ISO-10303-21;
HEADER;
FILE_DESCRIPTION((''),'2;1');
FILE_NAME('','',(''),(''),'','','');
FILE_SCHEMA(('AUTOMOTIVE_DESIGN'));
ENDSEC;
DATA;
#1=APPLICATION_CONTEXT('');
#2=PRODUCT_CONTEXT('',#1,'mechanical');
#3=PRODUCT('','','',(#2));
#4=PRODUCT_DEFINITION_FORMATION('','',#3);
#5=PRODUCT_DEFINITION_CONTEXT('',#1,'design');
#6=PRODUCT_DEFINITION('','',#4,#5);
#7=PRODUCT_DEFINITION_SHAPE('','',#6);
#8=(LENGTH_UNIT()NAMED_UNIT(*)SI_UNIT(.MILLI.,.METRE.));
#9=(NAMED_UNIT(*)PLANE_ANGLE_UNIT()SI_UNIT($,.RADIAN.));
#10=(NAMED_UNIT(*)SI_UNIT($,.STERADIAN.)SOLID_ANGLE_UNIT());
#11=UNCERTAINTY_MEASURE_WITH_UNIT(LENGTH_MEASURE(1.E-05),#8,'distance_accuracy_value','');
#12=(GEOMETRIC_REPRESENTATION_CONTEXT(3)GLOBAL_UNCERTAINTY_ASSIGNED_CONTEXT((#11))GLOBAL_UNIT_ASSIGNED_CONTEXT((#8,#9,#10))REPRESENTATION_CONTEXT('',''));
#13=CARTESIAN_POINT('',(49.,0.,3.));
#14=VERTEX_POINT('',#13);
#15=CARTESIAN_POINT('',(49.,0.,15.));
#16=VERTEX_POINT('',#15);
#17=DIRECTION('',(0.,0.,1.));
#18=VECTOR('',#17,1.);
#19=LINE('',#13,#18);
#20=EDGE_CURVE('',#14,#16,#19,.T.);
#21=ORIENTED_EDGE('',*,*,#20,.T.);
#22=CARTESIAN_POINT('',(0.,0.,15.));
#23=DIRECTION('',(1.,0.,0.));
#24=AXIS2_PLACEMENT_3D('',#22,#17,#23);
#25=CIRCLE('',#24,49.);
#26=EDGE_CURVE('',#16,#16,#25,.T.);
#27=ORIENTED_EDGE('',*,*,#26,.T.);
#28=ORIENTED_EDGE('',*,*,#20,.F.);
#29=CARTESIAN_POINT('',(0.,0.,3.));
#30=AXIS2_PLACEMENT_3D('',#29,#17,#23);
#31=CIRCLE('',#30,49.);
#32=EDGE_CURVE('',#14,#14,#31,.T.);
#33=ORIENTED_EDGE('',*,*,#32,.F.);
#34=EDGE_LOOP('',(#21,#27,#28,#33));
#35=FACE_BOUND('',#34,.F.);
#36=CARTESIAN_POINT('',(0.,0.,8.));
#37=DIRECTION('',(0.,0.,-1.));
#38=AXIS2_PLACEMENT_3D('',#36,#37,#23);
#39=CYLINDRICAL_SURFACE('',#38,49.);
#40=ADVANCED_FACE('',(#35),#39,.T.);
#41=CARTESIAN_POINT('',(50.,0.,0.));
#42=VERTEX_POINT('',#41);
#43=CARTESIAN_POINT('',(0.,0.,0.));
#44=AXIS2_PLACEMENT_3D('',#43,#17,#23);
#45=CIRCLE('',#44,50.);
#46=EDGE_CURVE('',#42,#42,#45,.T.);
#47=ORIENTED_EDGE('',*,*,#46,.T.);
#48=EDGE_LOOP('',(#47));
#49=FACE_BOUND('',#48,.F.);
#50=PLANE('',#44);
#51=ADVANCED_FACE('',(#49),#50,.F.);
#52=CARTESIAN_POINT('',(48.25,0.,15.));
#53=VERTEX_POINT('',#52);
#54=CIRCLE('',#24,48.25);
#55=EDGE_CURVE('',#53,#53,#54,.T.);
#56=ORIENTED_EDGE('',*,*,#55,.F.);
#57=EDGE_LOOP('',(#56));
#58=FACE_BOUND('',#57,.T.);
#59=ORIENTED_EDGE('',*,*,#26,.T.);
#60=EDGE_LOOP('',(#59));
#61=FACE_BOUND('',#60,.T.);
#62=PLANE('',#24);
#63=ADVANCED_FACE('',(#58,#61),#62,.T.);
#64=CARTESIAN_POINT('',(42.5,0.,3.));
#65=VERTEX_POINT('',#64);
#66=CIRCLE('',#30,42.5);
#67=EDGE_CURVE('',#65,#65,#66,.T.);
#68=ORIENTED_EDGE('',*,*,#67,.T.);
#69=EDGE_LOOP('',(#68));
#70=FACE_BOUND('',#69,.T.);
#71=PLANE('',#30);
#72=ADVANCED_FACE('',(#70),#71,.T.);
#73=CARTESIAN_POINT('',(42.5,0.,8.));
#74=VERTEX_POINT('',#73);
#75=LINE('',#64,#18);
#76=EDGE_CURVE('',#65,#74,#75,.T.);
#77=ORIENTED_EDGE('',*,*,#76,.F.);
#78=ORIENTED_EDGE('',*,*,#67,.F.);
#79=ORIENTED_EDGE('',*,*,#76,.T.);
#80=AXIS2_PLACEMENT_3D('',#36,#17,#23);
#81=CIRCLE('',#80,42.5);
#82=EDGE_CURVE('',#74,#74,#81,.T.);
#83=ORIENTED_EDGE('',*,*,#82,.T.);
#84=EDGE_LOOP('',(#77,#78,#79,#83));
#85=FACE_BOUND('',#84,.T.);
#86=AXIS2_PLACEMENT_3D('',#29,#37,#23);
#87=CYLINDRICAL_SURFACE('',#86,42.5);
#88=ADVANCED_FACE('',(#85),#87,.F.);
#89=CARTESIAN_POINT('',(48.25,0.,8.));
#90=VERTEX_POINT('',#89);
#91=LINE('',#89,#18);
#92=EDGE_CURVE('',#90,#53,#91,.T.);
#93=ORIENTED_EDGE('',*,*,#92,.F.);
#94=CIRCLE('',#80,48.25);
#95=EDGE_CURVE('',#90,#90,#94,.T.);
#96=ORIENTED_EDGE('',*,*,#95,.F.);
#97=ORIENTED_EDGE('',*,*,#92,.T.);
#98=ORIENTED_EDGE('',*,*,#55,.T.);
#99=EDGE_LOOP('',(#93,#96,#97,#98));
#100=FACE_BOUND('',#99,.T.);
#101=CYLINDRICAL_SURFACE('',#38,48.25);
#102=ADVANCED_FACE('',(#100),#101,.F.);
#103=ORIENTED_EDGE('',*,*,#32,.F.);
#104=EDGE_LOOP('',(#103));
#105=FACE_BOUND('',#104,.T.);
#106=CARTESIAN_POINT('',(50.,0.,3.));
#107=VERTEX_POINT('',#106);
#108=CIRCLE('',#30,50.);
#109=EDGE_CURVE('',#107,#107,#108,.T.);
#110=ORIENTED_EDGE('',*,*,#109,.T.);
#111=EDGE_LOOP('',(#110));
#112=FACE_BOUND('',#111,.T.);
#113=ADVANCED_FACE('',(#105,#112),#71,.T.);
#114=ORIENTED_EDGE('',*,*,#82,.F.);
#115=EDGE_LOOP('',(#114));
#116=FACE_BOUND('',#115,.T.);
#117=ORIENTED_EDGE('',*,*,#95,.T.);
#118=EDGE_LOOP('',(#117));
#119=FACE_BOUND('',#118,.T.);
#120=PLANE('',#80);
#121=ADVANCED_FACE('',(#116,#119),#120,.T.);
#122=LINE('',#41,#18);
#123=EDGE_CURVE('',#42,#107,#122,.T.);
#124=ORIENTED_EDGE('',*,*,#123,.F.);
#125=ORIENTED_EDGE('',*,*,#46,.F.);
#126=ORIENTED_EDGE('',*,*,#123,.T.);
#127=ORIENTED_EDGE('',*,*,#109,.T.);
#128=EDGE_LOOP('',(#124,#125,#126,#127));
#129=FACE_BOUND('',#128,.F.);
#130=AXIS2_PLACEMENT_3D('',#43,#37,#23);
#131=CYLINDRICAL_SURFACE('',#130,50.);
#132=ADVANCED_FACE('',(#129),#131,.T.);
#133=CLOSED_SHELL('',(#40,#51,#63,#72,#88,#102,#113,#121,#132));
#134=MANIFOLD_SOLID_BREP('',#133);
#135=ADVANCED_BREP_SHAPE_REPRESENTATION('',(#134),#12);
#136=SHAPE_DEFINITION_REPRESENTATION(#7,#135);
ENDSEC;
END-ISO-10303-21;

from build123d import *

# Parameters (mm, degrees)
F0_R     = 50
F1_DEPTH = 3
F2_R     = 49
F2_R_2   = 42.5
F3_DEPTH = 5
F4_R     = 49
F4_R_2   = 48.25
F5_DEPTH = 7


with BuildPart() as f1:
    # F0 (on Top) → F1 (new body)
    with BuildSketch(Plane.XY):
        Circle(F0_R)
    extrude(amount=F1_DEPTH)

    # F2 (on face) → F3 (join)
    with BuildSketch(Plane.XY.offset(3)):
        Circle(F2_R)
        Circle(F2_R_2, mode=Mode.SUBTRACT)
    extrude(amount=F3_DEPTH)

    # F4 (on face) → F5 (join)
    with BuildSketch(Plane.XY.offset(8)):
        Circle(F4_R)
        Circle(F4_R_2, mode=Mode.SUBTRACT)
    extrude(amount=F5_DEPTH)


solid = f1.part
